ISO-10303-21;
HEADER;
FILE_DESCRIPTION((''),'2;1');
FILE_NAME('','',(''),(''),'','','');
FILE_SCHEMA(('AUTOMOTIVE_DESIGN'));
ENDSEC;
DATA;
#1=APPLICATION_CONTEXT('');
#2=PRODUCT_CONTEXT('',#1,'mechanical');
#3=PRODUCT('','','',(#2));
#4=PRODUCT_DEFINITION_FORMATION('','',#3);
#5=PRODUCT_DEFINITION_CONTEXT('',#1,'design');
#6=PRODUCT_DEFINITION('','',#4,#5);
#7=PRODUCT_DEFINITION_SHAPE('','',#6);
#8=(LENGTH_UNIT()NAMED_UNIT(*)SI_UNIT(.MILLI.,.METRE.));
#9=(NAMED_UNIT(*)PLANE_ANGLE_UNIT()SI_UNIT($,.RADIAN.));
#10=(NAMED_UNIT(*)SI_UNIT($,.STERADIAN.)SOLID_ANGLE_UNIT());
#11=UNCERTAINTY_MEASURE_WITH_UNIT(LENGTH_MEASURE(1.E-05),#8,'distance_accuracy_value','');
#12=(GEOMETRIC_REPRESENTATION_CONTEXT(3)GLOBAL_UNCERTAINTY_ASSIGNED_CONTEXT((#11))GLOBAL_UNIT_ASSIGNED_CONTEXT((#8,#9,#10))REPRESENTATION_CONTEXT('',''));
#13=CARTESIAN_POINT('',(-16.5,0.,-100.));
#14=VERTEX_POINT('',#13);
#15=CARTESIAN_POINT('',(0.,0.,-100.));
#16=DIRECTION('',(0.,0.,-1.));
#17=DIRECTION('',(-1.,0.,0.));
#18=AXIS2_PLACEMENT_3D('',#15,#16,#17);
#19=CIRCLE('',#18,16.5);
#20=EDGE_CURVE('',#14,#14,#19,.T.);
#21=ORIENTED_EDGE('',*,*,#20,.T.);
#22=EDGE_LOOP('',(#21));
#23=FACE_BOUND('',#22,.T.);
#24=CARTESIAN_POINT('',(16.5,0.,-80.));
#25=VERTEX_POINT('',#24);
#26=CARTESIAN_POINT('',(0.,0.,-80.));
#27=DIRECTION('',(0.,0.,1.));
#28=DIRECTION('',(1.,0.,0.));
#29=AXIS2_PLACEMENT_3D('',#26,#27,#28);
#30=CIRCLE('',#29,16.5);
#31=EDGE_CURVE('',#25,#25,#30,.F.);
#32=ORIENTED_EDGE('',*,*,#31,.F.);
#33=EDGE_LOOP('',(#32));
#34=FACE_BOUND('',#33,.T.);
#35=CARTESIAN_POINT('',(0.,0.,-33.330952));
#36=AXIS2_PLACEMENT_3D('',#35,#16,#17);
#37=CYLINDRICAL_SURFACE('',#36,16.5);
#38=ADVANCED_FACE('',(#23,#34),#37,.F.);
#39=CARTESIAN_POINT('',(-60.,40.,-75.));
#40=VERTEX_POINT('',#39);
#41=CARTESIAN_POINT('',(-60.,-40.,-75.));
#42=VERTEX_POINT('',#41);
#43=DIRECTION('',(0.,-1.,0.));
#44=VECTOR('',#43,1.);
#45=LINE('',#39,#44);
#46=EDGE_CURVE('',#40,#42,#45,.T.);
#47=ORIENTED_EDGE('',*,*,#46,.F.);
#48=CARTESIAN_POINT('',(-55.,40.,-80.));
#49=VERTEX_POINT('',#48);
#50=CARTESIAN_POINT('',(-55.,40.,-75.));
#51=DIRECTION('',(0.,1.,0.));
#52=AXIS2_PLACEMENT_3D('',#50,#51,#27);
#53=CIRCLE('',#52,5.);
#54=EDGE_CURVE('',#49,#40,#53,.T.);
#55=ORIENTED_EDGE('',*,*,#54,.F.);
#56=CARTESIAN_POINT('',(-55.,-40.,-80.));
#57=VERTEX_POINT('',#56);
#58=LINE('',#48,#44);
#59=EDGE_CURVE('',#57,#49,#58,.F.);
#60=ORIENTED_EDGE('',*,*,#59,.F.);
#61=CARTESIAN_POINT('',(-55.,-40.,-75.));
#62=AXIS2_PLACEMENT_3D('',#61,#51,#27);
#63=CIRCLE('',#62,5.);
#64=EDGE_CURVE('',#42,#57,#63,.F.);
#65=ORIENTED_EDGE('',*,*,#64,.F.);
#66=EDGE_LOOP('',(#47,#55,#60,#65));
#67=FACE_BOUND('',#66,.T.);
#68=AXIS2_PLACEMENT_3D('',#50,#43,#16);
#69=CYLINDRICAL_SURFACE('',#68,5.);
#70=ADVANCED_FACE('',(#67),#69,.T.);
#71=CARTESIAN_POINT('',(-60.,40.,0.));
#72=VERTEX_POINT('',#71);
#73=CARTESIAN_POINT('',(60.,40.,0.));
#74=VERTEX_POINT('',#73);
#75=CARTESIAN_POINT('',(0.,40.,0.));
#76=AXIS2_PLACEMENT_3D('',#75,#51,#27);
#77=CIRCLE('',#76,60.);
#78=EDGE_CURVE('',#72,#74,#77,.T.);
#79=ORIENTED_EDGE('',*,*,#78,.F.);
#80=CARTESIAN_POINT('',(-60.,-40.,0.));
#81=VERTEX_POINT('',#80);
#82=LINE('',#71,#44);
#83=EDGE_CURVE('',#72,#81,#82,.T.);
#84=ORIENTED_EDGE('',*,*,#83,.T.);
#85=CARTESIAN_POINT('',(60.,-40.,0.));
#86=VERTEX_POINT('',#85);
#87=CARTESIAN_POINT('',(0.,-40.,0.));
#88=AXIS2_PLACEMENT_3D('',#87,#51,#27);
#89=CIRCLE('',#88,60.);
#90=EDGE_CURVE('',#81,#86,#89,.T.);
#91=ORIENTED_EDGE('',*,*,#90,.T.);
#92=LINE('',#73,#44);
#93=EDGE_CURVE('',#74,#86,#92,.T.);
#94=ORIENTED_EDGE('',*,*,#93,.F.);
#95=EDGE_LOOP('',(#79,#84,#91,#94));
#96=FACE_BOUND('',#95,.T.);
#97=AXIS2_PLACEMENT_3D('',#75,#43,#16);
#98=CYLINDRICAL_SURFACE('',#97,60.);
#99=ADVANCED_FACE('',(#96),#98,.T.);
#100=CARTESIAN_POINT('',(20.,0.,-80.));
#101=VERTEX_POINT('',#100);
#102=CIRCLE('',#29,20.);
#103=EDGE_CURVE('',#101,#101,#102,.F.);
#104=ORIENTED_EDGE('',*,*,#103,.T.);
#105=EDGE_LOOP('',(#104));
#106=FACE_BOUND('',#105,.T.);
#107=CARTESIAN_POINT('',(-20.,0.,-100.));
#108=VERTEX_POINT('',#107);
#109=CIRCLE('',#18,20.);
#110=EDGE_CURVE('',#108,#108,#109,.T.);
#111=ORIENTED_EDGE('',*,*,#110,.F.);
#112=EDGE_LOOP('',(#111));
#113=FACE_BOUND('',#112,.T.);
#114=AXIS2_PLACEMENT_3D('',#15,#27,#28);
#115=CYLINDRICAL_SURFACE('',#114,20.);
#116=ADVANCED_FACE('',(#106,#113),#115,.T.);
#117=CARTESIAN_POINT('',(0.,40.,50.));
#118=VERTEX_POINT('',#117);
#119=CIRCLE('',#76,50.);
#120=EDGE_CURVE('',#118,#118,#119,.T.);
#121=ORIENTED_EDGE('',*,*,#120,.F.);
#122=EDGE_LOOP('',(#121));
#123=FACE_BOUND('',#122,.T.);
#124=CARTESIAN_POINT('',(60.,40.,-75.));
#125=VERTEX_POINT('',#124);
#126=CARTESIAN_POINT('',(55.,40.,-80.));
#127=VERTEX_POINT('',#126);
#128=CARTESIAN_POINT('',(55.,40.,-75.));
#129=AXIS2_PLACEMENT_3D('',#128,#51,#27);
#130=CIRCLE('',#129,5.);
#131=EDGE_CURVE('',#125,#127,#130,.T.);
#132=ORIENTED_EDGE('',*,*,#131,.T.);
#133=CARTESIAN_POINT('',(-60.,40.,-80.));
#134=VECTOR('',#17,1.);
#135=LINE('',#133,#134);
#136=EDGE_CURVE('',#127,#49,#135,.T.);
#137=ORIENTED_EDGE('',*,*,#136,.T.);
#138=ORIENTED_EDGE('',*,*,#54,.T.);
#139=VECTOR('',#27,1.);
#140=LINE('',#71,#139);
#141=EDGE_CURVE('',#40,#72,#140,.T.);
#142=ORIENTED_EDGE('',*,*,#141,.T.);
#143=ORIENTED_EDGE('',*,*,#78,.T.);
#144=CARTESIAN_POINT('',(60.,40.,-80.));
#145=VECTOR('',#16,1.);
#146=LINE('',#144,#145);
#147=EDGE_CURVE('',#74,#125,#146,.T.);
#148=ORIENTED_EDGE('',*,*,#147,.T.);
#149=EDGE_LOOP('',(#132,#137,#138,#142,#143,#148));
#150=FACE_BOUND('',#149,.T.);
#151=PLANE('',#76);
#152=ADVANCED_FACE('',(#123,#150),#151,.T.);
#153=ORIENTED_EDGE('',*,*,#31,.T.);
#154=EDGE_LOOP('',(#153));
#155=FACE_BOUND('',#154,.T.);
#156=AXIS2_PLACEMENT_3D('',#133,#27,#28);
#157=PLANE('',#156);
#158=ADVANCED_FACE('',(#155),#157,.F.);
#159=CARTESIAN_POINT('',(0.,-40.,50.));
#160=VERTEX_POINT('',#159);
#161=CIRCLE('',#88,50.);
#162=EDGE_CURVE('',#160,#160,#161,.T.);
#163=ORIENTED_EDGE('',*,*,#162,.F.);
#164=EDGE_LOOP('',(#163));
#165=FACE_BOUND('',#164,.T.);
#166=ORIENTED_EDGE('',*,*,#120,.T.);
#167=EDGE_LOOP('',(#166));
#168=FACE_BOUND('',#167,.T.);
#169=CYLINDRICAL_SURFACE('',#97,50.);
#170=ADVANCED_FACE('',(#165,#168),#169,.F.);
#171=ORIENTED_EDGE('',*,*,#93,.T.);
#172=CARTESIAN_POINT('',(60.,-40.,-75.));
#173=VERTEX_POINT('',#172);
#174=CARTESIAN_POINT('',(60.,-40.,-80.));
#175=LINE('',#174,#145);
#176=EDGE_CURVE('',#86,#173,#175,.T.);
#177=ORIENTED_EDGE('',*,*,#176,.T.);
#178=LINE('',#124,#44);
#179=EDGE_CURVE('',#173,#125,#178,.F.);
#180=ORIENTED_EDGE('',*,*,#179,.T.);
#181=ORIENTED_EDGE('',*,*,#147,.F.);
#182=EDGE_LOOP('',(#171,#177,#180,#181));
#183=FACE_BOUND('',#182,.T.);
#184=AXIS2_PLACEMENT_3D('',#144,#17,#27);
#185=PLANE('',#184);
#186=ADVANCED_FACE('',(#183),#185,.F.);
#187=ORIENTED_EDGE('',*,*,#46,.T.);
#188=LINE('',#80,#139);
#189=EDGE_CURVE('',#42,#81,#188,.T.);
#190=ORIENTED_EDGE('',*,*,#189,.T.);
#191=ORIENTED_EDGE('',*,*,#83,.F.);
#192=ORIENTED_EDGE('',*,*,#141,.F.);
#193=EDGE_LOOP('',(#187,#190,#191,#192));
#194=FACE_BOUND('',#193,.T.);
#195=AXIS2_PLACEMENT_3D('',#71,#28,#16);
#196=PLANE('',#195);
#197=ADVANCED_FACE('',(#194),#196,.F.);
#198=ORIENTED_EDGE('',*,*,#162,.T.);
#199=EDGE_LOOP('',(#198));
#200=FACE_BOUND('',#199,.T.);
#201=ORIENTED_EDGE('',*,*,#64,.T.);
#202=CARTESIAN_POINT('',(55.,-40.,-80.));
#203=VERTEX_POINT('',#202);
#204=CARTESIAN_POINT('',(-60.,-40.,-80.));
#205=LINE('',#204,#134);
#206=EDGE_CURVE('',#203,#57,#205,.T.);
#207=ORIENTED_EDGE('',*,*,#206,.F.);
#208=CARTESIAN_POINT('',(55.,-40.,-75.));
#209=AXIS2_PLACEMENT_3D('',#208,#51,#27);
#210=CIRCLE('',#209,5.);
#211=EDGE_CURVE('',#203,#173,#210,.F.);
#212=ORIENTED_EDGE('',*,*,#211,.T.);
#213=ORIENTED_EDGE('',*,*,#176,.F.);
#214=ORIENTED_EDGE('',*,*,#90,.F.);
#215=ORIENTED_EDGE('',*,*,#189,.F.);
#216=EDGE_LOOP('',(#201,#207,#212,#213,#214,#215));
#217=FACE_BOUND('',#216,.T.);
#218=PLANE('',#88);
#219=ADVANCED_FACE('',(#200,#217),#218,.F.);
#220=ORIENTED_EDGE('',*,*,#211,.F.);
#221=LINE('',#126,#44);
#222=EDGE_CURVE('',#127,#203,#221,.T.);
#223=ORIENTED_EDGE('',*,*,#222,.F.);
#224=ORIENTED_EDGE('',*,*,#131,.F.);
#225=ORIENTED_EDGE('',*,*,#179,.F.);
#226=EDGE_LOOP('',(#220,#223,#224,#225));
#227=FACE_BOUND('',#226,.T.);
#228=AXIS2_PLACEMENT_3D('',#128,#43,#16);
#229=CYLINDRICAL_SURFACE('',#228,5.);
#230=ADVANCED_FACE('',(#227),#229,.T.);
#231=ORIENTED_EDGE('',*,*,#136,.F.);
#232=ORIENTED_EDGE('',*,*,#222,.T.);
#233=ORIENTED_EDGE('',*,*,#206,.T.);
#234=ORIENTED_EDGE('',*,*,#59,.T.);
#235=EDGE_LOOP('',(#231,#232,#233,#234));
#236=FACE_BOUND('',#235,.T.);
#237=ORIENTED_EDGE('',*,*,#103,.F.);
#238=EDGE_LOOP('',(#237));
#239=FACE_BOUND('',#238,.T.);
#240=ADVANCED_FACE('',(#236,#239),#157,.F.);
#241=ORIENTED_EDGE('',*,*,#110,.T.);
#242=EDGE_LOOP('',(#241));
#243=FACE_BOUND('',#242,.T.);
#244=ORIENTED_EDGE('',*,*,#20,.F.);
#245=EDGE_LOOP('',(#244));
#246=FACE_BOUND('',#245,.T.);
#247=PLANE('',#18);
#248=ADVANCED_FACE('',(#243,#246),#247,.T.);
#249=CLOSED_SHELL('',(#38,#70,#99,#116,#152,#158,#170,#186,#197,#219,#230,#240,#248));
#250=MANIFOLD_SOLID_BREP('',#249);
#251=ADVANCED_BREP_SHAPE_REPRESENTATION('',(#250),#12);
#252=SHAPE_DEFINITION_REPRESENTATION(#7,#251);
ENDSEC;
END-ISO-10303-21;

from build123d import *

# Parameters (mm, degrees)
SKETCH1_R           = 50
BOSS_EXTRUDE1_DEPTH = 40
FILLET1_R           = 5
SKETCH2_R           = 20
BOSS_EXTRUDE2_DEPTH = 20
SKETCH7_R           = 16.5
CUT_EXTRUDE1_DEPTH  = 20


with BuildPart() as part:
    # Sketch1 → Boss-Extrude1 (new, symmetric)
    with BuildSketch(Plane(origin=(0, 0, 0), x_dir=(1, 0, 0), z_dir=(0, 1, 0))):
        with BuildLine():
            Line((-60, 0), (-60, 80))
            Line((-60, 80), (60, 80))
            Line((60, 80), (60, 0))
            ThreePointArc((60, 0), (0, -60), (-60, 0))
        make_face()
        with Locations(Location((0, 0, 0), (0, 0, 270))):
            Circle(SKETCH1_R, mode=Mode.SUBTRACT)
    extrude(amount=BOSS_EXTRUDE1_DEPTH, both=True)

    # Fillet1
    fillet1_edges = [part.edges().sort_by_distance(p)[0] for p in [
        (-60, 0, -80),
        (60, 0, -80),
    ]]
    fillet(fillet1_edges, radius=FILLET1_R)

    # Sketch2 → Boss-Extrude2 (add)
    with BuildSketch(Plane(origin=(0, 0, -80), x_dir=(-1, 0, 0), z_dir=(0, 0, -1))):
        with Locations(Location((0, 0, 0), (0, 0, 180))):
            Circle(SKETCH2_R)
    extrude(amount=BOSS_EXTRUDE2_DEPTH)

    # Sketch7 → Cut-Extrude1 (cut)
    with BuildSketch(Plane(origin=(0, 0, -100), x_dir=(-1, 0, 0), z_dir=(0, 0, -1))):
        Circle(SKETCH7_R)
    extrude(amount=-CUT_EXTRUDE1_DEPTH, mode=Mode.SUBTRACT)


solid = part.part
